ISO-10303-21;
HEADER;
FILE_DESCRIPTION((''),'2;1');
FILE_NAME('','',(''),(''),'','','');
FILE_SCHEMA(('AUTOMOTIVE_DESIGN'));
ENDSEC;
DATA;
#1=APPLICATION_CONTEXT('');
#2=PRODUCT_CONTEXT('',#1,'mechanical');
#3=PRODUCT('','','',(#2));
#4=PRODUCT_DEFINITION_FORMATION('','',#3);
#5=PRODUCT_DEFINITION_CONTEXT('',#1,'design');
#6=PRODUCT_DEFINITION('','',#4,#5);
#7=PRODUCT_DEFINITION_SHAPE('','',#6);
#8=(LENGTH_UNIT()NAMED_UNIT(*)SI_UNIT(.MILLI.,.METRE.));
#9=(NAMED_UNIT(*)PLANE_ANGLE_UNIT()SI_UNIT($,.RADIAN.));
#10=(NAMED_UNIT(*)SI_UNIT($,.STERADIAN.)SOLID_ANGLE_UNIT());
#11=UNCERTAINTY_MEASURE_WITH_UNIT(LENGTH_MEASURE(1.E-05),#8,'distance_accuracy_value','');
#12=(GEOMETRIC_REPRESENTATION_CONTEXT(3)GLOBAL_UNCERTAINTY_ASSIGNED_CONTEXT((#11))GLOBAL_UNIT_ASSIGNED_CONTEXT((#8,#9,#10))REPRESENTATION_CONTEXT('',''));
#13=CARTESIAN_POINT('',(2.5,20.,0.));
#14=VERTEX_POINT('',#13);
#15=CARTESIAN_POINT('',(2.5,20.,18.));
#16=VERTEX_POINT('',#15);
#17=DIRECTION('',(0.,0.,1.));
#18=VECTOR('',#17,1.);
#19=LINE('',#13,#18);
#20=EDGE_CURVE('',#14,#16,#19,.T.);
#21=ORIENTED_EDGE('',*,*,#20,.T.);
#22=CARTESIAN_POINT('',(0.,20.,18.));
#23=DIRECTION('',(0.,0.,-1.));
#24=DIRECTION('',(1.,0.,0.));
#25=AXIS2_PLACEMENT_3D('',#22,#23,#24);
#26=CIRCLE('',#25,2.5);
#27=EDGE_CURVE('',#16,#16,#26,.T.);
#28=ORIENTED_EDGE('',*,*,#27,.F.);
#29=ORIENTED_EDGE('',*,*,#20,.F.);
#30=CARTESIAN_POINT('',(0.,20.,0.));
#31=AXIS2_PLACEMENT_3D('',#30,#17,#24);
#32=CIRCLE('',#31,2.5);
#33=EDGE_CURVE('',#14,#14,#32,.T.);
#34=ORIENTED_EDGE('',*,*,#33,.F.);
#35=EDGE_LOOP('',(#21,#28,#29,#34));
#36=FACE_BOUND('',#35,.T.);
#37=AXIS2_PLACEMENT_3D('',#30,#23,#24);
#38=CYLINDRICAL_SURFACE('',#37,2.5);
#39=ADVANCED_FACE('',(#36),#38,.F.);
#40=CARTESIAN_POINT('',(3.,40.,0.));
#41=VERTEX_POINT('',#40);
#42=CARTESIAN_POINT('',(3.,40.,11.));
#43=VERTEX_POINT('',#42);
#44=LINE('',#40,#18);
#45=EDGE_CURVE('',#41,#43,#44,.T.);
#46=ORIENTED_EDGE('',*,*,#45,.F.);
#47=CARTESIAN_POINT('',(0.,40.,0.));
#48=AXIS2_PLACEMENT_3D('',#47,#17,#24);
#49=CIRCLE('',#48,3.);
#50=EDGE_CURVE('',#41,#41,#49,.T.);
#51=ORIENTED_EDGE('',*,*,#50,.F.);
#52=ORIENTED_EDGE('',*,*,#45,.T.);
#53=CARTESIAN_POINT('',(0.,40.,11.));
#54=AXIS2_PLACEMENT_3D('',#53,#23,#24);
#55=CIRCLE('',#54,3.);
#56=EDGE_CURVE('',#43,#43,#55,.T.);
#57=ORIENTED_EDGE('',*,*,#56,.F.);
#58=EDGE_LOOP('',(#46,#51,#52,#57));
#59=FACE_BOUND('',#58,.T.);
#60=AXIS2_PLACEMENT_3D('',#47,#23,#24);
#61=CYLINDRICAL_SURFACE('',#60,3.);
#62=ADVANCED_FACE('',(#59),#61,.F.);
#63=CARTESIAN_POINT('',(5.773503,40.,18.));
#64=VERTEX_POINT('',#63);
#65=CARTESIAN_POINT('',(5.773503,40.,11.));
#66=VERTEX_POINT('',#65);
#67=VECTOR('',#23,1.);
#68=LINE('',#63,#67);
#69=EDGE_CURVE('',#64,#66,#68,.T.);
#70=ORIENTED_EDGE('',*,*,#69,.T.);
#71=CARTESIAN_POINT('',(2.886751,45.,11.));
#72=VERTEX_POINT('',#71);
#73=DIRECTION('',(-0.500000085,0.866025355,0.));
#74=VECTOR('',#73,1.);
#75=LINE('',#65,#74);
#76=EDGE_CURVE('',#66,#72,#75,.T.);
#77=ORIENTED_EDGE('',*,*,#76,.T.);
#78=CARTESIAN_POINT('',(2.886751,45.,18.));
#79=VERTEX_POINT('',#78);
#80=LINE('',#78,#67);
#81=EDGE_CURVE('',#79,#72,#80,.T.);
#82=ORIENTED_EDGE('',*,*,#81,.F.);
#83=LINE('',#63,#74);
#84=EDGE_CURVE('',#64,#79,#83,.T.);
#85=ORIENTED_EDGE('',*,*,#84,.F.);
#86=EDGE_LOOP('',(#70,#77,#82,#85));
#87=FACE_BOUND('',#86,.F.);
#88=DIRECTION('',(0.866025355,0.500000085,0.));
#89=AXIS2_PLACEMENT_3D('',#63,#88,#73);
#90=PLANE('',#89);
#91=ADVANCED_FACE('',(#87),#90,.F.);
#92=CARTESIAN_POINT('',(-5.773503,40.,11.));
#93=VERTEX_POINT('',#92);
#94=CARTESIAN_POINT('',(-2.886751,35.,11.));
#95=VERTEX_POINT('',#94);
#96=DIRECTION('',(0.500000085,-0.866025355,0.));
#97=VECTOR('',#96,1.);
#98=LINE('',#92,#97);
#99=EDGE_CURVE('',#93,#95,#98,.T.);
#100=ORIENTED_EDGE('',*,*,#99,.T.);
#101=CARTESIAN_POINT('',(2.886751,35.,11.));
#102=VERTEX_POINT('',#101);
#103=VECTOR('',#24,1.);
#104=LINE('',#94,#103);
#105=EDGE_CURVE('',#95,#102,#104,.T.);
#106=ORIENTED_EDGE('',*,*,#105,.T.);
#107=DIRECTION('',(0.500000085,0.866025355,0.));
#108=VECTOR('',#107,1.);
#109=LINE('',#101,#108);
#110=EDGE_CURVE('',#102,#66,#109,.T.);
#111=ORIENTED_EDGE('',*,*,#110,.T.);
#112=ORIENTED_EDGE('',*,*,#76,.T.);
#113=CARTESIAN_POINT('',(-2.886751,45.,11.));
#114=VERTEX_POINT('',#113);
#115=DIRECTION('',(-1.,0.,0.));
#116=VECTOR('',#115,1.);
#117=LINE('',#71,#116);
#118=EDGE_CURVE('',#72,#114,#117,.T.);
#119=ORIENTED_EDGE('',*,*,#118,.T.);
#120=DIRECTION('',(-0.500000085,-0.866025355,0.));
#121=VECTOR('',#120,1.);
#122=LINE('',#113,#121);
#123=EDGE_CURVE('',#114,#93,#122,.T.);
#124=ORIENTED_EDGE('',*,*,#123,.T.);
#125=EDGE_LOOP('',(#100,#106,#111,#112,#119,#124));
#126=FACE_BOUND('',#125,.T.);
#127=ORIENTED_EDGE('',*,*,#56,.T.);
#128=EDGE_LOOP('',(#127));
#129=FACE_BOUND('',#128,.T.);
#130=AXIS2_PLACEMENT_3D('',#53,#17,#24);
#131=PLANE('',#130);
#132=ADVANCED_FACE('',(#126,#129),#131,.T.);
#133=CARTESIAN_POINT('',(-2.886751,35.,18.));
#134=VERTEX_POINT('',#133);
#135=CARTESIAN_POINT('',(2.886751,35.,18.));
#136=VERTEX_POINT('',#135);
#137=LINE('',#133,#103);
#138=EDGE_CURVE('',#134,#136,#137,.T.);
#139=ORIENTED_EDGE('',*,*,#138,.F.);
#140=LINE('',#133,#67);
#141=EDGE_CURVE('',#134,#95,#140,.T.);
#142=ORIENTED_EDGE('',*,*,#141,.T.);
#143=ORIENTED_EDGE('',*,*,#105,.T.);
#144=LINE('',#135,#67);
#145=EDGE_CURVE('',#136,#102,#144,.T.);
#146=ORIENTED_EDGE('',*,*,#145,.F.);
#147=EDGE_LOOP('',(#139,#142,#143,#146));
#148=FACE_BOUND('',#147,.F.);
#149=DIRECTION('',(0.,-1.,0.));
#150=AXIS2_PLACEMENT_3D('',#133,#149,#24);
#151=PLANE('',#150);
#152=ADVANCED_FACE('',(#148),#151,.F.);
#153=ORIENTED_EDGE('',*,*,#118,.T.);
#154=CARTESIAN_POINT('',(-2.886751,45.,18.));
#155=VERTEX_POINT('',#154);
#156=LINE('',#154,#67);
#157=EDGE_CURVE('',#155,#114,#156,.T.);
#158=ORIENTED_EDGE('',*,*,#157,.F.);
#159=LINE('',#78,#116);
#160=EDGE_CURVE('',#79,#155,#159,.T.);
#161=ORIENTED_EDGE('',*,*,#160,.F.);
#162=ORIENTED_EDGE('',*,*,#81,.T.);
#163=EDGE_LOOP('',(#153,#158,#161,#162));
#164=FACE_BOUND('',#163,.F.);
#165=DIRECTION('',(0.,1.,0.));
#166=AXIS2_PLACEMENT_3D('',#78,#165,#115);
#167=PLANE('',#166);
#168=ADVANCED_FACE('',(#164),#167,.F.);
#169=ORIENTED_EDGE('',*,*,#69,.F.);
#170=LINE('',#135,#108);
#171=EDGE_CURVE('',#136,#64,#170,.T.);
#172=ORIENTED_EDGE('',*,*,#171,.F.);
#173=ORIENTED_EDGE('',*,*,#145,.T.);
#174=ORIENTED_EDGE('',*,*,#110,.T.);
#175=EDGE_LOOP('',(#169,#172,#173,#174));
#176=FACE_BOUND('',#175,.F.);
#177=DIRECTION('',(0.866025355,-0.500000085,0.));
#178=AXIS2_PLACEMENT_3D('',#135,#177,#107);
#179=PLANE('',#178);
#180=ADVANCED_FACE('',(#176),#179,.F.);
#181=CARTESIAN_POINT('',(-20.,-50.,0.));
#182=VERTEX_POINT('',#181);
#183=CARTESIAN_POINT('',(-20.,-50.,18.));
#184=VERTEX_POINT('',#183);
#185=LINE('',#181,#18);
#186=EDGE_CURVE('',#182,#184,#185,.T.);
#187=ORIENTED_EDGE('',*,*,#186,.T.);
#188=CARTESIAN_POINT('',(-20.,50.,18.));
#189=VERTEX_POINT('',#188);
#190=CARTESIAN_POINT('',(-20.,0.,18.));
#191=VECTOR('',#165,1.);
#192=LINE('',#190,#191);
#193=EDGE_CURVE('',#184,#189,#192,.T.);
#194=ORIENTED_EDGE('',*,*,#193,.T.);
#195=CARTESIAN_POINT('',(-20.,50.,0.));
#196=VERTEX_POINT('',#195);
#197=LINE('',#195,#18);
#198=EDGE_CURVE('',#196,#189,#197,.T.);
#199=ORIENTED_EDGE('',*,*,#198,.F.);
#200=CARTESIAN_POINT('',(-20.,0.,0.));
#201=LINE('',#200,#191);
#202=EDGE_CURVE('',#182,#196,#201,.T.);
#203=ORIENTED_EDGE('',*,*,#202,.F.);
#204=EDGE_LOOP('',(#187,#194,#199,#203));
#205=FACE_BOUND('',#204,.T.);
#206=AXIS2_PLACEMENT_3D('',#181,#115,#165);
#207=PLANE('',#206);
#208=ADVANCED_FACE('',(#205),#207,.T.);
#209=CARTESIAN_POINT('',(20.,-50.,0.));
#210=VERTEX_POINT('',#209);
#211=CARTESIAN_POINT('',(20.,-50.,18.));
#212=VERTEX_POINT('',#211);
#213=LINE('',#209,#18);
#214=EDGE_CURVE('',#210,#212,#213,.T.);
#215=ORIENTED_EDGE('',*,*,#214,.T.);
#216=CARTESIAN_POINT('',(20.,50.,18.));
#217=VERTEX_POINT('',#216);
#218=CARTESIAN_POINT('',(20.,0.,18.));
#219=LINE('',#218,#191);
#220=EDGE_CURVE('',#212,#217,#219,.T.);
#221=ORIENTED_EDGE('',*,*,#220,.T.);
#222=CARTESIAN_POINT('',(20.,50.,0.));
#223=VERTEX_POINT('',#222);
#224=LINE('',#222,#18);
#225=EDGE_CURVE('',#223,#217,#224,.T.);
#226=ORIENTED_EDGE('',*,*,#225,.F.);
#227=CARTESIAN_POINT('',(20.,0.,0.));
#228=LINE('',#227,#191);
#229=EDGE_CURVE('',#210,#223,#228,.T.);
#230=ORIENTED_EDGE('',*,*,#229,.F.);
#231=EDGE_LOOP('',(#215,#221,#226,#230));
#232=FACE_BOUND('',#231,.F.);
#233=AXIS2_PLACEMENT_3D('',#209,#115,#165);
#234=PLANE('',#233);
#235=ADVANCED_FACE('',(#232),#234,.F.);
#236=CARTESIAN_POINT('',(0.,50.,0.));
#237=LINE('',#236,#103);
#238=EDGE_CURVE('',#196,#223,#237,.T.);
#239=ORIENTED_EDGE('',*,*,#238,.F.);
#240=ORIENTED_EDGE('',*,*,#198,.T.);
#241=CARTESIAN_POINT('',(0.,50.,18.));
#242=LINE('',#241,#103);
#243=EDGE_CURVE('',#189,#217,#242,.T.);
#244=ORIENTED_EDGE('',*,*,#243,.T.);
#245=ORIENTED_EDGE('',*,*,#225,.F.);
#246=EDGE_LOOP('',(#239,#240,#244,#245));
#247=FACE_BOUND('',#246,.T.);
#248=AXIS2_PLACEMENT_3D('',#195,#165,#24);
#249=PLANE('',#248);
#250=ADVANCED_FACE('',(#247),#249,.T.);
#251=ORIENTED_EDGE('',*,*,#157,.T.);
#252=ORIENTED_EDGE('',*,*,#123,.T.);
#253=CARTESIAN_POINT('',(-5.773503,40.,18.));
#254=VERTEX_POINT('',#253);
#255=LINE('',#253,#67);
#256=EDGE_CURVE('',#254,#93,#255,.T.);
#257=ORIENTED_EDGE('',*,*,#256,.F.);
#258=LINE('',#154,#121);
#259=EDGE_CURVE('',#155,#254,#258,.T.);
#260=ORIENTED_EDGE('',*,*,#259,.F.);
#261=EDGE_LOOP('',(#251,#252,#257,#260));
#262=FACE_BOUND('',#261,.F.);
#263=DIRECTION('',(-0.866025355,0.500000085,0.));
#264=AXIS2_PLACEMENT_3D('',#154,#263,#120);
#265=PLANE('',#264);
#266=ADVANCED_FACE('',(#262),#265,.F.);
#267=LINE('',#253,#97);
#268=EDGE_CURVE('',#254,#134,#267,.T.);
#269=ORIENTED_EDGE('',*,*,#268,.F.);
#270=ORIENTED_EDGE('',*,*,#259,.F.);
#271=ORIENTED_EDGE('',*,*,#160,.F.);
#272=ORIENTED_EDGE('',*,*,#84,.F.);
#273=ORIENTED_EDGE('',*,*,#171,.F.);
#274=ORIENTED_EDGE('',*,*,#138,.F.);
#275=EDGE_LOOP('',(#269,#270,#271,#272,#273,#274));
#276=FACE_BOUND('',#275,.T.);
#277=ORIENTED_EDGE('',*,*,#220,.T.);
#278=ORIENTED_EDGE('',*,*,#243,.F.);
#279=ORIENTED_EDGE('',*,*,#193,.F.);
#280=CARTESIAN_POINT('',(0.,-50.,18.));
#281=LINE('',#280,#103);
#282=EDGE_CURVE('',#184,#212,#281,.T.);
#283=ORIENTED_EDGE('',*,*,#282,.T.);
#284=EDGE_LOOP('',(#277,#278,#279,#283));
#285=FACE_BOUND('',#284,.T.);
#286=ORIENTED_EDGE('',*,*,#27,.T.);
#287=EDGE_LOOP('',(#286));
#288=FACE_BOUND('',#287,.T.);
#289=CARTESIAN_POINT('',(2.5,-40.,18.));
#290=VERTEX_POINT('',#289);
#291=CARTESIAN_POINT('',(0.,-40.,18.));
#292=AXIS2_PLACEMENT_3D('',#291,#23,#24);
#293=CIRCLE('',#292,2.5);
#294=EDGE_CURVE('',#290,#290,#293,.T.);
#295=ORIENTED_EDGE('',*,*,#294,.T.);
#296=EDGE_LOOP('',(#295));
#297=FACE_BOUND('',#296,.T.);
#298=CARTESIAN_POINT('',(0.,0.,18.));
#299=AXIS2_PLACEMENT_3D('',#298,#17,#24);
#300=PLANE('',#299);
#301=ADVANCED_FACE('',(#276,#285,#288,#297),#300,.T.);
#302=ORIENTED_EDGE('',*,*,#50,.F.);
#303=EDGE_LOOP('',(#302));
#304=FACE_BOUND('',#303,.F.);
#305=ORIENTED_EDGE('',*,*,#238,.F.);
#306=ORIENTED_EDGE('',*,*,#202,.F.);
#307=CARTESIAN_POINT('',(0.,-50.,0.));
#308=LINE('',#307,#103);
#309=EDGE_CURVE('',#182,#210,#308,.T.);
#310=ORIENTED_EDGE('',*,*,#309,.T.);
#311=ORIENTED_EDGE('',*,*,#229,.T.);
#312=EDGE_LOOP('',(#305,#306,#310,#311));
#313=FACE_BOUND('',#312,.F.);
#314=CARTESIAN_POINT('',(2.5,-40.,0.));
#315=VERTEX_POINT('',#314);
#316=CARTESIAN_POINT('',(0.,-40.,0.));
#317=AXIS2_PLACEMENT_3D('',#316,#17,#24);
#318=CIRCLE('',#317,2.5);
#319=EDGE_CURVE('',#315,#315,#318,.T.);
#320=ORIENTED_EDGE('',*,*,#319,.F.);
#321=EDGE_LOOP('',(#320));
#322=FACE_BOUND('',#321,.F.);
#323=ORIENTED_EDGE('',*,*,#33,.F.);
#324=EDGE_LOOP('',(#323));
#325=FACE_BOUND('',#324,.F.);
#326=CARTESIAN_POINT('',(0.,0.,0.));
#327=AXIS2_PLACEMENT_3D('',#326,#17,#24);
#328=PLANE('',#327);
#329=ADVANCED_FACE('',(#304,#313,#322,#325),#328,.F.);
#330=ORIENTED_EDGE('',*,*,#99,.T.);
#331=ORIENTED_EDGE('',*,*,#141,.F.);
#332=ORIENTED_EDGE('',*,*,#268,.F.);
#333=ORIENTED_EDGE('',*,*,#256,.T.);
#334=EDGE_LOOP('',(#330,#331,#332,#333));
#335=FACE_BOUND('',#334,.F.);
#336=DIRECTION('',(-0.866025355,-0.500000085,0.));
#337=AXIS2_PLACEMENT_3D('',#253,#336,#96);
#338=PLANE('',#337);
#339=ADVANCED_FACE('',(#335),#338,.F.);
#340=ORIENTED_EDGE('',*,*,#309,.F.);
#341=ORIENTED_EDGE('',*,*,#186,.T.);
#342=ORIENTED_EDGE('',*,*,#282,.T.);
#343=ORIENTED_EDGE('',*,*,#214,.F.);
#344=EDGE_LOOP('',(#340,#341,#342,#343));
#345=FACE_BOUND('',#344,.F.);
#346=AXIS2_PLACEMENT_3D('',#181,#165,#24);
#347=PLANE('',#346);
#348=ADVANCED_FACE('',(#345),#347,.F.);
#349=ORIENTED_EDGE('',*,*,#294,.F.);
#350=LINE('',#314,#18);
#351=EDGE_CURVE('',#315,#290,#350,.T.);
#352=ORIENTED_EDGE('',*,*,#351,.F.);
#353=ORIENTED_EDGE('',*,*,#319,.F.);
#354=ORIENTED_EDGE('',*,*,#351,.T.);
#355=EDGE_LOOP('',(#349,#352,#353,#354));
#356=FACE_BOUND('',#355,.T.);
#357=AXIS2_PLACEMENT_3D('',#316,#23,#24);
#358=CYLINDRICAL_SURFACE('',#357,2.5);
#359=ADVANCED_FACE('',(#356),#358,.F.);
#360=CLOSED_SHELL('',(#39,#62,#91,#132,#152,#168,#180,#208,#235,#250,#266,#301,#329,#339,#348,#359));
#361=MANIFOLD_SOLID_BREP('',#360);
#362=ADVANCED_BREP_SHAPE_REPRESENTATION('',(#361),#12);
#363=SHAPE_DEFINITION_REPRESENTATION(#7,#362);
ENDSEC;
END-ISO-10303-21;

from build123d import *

# Parameters (mm, degrees)
SKETCH062_W          = 40
SKETCH062_H          = 100
PAD005_DEPTH         = 18
SKETCH063_R          = 3
SKETCH063_R_2        = 2.5
POCKET035_DEPTH      = 0.001
POCKET035_DEPTH_BACK = 18.001
POCKET041_DEPTH      = 7


with BuildPart() as part:
    # Sketch062 → Pad005 (new body)
    with BuildSketch(Plane.XY):
        Rectangle(SKETCH062_W, SKETCH062_H)
    extrude(amount=PAD005_DEPTH)

    # Sketch063 → Pocket035 (cut, two sides)
    with BuildSketch(Plane.XY) as pocket035_sk:
        with Locations((0, 40)):
            Circle(SKETCH063_R)
        with Locations((0, 20)):
            Circle(SKETCH063_R_2)
        with Locations((0, -40)):
            Circle(SKETCH063_R_2)
    extrude(amount=-POCKET035_DEPTH, mode=Mode.SUBTRACT)
    extrude(pocket035_sk.sketch, amount=POCKET035_DEPTH_BACK, mode=Mode.SUBTRACT)

    # Sketch092 → Pocket041 (cut)
    with BuildSketch(Plane(origin=(0, 40, 18), x_dir=(1, 0, 0), z_dir=(0, 0, 1))):
        Polygon((5.773503, 0), (2.886751, 5), (-2.886751, 5), (-5.773503, 0), (-2.886751, -5), (2.886751, -5), align=None)
    extrude(amount=-POCKET041_DEPTH, mode=Mode.SUBTRACT)


solid = part.part
